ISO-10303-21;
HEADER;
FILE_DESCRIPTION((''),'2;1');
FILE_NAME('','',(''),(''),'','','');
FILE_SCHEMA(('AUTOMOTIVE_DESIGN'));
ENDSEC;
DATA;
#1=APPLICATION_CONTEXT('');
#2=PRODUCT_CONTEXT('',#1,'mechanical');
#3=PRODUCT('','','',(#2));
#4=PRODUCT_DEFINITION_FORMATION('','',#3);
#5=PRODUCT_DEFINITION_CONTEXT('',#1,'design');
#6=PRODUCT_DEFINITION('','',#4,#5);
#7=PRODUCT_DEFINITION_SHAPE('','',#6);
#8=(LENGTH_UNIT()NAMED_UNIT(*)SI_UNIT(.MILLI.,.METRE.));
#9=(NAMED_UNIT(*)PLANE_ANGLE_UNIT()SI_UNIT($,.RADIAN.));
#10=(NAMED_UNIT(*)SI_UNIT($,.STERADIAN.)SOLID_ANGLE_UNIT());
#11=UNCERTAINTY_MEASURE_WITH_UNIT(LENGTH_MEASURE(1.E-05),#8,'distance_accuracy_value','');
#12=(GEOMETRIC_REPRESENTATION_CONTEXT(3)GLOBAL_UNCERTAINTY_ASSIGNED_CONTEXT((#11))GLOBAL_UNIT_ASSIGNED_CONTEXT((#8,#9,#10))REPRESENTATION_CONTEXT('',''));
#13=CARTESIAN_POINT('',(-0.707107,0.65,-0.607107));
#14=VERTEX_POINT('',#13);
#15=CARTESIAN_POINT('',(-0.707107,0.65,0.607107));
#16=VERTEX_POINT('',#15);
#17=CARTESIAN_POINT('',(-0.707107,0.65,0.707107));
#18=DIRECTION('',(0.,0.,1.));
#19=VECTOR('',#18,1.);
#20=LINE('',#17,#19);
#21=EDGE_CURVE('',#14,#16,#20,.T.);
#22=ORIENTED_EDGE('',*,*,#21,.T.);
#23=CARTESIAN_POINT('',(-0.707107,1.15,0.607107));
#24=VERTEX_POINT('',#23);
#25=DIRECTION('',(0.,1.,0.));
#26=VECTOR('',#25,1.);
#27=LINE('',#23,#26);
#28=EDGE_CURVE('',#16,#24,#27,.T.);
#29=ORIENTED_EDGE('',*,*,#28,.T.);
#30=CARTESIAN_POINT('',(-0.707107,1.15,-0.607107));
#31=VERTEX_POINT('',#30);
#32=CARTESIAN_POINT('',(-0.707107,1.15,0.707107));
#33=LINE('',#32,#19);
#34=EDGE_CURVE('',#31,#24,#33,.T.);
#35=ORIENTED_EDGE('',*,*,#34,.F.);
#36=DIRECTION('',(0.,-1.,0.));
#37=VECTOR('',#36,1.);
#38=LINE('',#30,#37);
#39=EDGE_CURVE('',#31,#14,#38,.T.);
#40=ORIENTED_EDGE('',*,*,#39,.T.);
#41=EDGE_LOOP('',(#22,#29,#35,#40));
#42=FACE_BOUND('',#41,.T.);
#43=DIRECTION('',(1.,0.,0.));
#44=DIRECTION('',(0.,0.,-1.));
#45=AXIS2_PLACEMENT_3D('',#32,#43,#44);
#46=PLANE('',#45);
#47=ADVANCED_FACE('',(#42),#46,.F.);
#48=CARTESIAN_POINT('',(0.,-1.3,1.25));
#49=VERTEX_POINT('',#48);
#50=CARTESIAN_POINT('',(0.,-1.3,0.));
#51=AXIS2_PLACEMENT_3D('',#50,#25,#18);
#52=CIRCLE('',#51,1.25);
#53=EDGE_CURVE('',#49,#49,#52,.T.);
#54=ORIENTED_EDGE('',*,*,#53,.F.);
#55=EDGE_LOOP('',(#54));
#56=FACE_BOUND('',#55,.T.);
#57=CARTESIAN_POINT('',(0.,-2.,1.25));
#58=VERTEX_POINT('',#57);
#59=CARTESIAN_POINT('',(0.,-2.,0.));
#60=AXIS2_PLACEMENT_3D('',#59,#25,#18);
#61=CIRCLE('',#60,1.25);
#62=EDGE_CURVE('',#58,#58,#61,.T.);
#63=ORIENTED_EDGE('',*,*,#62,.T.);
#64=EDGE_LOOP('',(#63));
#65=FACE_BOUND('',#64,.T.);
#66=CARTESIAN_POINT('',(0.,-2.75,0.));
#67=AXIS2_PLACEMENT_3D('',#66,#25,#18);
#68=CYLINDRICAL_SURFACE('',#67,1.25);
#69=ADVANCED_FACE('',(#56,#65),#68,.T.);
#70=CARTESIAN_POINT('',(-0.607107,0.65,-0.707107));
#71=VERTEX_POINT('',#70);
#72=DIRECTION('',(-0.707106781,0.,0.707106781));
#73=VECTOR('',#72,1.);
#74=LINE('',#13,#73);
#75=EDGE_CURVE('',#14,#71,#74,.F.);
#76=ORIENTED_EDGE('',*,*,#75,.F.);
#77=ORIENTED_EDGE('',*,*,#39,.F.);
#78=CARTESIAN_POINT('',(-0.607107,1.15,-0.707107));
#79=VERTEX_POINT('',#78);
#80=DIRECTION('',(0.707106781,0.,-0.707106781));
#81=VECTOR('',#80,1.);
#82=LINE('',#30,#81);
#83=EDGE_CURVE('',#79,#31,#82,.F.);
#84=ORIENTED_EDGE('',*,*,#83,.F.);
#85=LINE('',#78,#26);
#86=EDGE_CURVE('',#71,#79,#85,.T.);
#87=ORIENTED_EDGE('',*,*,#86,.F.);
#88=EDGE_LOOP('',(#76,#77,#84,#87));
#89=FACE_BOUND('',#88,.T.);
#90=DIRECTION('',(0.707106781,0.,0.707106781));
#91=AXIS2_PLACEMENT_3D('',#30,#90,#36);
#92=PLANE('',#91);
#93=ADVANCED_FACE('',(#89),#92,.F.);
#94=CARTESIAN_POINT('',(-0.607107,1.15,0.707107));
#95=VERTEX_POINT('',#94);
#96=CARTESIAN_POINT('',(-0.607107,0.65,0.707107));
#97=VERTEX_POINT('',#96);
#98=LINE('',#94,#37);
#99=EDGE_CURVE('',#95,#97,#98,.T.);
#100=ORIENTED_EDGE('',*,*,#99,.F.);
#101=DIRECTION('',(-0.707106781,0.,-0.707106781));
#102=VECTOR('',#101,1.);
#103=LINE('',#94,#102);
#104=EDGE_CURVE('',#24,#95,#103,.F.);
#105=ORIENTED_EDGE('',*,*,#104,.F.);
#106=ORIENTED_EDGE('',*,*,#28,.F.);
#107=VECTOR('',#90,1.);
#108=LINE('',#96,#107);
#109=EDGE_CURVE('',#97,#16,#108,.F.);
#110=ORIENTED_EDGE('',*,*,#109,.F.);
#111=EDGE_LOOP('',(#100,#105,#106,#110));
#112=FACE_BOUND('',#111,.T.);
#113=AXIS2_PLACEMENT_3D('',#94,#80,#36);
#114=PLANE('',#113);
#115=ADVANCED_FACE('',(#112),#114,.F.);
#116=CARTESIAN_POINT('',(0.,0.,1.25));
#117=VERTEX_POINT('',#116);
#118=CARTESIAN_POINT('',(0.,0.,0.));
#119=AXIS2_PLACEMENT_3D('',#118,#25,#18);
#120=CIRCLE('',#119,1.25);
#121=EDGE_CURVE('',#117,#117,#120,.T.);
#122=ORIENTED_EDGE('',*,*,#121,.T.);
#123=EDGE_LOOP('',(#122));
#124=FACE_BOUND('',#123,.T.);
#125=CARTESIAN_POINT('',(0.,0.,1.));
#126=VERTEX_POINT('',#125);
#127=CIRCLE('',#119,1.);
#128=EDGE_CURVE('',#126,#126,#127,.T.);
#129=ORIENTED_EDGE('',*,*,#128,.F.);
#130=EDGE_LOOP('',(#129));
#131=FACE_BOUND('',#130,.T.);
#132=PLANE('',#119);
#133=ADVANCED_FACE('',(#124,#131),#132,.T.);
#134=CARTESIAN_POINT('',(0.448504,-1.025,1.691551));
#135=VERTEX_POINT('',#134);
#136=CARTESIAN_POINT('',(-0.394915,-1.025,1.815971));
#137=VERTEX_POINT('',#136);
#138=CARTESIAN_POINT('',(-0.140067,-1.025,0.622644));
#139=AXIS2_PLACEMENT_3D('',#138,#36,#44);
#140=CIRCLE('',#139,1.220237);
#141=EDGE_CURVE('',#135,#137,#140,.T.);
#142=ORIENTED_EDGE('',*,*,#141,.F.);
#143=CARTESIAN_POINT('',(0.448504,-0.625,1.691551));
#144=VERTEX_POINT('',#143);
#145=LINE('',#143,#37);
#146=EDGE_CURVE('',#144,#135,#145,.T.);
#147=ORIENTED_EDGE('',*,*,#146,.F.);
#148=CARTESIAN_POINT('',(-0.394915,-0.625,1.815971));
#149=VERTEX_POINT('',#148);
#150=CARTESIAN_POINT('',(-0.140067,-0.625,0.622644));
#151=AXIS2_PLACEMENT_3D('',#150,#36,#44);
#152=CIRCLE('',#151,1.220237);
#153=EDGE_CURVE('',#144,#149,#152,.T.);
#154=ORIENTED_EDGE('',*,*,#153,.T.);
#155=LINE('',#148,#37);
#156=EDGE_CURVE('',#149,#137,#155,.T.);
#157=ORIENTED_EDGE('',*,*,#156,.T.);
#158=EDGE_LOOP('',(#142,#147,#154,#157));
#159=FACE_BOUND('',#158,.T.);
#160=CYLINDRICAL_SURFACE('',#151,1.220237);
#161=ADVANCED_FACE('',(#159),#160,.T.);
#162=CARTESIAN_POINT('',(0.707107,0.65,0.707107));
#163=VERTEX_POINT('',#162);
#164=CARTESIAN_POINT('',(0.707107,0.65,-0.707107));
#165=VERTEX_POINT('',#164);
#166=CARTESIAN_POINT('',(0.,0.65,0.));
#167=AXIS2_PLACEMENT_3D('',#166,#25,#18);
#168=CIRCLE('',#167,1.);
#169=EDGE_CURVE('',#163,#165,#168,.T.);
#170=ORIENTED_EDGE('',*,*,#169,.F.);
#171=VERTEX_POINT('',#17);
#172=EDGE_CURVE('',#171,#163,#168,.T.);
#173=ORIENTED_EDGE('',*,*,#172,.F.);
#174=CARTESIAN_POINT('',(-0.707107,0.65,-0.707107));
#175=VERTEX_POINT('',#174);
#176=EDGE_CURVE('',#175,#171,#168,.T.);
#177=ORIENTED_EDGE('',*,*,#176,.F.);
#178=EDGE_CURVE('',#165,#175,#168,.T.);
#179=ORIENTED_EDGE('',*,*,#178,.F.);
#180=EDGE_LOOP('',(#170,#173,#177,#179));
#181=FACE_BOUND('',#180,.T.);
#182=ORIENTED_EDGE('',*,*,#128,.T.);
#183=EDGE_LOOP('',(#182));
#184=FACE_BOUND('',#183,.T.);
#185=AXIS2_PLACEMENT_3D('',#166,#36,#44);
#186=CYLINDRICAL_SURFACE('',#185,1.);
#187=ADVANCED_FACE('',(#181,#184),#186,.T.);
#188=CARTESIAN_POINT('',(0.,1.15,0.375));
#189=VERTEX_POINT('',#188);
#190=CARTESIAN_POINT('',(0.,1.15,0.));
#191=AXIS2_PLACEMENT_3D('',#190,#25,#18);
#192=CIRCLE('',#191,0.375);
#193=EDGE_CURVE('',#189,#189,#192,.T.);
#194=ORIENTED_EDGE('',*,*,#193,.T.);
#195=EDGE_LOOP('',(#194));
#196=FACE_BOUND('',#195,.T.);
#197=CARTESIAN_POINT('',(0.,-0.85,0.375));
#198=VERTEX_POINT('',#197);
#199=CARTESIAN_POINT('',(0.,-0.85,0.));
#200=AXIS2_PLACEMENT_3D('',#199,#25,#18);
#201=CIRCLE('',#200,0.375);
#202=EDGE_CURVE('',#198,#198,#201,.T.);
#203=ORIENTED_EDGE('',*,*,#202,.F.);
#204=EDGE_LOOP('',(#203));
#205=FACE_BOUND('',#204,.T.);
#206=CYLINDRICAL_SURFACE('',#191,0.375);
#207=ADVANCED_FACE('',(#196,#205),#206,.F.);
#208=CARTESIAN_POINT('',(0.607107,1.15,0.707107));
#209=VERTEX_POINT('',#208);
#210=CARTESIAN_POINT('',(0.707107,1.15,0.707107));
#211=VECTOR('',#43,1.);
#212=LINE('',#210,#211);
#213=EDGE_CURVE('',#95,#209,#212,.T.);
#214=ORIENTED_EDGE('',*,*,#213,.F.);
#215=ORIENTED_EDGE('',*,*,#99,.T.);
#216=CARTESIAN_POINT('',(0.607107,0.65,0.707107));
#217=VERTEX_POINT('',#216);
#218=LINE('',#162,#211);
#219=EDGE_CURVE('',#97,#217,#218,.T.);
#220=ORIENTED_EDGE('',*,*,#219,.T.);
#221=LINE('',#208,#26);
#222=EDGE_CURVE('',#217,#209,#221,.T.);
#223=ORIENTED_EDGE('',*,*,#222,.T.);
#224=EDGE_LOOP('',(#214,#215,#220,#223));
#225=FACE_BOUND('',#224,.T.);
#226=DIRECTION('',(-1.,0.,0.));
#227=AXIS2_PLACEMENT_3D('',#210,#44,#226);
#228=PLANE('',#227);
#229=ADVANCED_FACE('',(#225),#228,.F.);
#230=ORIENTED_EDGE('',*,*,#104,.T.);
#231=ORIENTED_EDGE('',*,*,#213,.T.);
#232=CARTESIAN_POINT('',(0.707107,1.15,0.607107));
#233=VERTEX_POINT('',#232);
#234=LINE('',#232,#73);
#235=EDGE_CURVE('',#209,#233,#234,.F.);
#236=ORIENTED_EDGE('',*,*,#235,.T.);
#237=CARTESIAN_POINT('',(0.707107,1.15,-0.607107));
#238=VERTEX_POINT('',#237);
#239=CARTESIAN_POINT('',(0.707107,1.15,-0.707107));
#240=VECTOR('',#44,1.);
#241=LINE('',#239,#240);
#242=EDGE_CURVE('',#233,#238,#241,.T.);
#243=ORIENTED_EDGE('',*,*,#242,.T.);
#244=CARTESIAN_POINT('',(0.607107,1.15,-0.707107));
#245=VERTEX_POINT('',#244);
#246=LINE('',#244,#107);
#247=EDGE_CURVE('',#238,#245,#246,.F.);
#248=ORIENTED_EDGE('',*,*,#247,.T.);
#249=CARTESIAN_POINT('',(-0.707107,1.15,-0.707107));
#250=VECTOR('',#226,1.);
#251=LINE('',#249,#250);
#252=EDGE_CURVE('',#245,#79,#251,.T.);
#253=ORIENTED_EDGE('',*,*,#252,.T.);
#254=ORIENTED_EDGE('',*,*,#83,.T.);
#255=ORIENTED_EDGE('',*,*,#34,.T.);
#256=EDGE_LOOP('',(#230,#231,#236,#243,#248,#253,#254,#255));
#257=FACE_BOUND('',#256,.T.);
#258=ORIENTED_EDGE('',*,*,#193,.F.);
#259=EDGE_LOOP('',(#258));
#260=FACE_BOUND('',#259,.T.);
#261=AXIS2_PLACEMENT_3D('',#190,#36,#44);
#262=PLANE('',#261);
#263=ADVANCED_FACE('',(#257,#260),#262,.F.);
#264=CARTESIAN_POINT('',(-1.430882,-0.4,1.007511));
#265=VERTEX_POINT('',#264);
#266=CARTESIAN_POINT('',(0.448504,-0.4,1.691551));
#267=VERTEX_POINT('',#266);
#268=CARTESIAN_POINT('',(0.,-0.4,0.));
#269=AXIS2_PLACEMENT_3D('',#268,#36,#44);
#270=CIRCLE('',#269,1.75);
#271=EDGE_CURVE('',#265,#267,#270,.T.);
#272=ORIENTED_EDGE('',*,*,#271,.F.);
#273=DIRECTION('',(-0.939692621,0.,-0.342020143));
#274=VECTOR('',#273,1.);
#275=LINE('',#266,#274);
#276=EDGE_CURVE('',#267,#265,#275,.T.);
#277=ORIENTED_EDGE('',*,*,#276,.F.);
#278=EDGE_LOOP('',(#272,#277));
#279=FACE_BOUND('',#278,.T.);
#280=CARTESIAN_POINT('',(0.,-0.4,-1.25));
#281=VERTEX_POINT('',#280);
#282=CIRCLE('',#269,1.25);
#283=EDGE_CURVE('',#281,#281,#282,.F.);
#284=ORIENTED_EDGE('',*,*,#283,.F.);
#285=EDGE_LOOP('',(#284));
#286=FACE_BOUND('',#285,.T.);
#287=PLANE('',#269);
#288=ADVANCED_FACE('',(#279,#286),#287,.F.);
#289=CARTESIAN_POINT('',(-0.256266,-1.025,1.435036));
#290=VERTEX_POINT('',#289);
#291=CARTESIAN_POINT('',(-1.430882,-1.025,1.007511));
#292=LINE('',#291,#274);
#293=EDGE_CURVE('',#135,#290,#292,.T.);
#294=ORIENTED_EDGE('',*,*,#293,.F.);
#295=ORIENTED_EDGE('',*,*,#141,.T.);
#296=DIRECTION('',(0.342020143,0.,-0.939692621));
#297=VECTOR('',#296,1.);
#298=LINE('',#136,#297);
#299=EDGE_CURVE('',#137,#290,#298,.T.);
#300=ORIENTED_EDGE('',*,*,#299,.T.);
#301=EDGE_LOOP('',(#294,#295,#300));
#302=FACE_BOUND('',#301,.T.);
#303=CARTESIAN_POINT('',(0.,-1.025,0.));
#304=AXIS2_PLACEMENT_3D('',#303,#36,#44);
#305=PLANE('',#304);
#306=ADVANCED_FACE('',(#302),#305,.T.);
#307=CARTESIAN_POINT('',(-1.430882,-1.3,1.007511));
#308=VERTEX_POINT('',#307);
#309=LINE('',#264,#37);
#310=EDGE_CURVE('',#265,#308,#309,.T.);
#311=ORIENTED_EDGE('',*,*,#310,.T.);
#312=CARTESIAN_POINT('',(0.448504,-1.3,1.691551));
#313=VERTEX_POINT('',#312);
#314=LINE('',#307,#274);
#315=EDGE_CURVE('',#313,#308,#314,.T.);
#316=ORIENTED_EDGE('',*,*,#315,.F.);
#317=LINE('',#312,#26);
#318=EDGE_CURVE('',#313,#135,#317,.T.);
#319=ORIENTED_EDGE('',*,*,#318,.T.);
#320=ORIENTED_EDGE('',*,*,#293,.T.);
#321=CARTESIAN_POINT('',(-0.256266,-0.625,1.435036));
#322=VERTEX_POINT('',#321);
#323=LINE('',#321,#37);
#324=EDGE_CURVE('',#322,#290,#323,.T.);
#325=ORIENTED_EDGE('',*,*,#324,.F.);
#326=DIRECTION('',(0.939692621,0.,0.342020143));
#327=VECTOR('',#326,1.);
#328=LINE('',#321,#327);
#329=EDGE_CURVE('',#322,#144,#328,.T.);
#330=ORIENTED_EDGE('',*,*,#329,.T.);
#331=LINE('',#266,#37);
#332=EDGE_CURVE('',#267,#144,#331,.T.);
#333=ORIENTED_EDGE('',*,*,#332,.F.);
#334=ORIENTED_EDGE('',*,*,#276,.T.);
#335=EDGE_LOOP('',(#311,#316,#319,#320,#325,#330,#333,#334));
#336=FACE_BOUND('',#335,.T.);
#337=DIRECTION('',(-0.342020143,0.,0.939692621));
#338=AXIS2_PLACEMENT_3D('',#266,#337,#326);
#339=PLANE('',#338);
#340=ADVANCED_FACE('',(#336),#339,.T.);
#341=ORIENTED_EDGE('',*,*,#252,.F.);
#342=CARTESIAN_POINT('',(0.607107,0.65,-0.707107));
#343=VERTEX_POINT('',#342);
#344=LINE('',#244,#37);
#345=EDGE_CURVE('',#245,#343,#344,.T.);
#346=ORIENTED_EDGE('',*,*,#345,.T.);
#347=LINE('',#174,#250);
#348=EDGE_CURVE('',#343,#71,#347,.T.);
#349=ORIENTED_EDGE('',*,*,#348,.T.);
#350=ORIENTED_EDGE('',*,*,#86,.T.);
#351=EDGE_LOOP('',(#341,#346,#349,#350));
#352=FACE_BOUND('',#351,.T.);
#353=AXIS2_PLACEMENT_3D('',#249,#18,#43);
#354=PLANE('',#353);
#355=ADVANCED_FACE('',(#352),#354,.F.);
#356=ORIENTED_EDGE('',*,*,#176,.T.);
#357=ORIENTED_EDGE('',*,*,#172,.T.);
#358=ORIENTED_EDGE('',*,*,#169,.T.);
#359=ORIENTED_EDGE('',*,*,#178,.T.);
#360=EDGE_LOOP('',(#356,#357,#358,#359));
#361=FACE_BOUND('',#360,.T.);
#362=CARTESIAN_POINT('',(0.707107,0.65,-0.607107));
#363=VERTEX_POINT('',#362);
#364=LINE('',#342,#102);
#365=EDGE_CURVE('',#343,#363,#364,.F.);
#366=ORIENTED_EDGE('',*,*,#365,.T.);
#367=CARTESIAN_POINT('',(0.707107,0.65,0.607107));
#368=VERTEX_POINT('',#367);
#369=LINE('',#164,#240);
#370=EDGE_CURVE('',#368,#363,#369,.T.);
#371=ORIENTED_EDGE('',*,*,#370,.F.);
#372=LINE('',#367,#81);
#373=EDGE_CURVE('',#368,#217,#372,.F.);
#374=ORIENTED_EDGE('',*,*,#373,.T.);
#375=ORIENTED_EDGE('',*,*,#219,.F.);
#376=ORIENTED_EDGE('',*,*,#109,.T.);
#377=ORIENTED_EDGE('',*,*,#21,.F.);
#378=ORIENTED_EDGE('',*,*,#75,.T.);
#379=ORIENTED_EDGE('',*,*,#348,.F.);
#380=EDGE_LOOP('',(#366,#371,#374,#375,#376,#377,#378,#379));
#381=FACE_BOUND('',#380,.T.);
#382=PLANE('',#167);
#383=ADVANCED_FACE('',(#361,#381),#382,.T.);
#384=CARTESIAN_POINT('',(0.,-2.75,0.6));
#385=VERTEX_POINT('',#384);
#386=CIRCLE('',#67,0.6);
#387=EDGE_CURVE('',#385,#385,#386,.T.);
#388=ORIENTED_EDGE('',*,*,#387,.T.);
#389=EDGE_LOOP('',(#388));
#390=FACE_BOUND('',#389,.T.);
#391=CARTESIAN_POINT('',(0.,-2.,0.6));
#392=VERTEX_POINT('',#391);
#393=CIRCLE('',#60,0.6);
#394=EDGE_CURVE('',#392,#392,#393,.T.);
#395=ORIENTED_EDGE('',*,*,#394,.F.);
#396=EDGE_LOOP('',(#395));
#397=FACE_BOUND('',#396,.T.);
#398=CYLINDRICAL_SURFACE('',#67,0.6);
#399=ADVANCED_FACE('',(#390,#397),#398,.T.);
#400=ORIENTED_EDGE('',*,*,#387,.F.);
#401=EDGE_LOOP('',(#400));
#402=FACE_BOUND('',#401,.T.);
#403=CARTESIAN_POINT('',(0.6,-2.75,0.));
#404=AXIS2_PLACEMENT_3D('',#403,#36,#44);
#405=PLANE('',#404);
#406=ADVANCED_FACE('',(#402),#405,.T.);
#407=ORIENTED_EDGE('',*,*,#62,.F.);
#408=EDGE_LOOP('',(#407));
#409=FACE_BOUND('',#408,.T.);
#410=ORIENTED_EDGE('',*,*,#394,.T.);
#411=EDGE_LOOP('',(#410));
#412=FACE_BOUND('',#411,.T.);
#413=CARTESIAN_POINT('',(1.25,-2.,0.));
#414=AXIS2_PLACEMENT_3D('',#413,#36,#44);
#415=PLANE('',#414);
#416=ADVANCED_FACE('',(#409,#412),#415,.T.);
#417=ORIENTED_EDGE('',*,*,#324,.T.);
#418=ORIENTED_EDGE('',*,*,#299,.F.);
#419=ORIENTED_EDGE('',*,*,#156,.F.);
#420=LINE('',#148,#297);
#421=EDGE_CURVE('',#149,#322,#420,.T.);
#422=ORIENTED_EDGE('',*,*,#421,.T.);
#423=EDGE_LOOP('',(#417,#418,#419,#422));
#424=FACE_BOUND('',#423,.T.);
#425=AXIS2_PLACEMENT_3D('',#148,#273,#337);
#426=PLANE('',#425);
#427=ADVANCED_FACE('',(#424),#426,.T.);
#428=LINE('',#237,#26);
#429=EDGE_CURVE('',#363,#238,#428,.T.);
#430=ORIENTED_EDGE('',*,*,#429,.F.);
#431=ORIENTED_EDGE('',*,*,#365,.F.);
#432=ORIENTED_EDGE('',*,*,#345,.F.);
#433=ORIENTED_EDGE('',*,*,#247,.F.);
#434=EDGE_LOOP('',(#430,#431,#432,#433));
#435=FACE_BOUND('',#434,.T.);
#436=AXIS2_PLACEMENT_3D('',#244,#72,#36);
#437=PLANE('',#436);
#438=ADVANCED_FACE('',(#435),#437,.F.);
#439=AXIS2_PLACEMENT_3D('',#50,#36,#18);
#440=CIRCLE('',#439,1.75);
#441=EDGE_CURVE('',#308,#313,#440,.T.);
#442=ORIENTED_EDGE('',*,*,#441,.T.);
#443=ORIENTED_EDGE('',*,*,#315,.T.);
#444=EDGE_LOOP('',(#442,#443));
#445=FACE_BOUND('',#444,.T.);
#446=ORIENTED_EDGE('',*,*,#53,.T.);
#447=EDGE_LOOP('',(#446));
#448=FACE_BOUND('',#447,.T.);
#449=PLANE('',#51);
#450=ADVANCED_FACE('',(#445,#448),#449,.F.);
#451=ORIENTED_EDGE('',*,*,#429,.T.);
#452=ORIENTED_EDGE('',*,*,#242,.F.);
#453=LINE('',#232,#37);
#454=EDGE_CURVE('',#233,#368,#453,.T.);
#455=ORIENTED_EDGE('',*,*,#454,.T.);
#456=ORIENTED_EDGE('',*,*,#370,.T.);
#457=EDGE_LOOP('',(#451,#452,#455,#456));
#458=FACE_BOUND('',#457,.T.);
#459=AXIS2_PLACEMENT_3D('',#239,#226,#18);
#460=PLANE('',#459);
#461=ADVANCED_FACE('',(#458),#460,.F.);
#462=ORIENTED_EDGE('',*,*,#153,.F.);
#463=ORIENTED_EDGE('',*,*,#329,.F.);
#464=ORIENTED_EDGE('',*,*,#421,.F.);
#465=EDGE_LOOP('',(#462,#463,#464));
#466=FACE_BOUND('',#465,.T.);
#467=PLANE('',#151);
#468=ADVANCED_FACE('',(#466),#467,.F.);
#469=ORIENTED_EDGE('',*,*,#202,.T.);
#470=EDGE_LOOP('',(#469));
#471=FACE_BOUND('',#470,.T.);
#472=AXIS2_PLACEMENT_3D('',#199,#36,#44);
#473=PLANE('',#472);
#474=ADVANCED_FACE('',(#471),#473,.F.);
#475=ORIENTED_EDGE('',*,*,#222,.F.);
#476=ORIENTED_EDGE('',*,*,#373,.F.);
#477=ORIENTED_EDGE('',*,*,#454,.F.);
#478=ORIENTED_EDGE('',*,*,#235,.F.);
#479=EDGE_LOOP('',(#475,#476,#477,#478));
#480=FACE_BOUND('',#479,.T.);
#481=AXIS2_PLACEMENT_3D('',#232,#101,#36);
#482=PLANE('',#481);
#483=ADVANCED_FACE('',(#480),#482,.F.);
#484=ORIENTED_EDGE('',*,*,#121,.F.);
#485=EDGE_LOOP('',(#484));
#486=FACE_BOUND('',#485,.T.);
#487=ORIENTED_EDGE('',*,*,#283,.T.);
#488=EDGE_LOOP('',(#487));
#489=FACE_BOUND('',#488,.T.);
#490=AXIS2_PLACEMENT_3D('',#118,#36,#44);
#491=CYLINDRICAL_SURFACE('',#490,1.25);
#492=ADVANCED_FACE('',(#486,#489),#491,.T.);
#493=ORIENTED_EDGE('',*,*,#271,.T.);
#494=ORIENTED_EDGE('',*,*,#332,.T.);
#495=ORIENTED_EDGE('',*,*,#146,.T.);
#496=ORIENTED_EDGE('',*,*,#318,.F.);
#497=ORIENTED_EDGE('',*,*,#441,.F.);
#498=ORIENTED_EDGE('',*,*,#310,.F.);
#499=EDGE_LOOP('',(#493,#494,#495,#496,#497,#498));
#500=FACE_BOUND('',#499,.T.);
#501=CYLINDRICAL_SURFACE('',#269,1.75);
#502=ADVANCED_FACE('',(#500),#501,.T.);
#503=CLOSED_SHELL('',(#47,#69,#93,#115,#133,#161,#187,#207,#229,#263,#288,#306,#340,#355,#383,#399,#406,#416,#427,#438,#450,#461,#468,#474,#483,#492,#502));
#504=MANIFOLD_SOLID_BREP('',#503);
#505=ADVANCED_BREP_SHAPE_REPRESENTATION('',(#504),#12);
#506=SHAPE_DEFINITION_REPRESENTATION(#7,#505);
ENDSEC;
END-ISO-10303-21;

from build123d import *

# Parameters (mm, degrees)
BOSS_EXTRUDE1_DEPTH = 0.625
SKETCH2_R           = 1.25
BOSS_EXTRUDE2_DEPTH = 0.4
SKETCH3_R           = 1
BOSS_EXTRUDE3_DEPTH = 0.65
SKETCH4_W           = 1.414213562
SKETCH4_H           = 1.414213562
BOSS_EXTRUDE4_DEPTH = 0.5
BOSS_EXTRUDE5_DEPTH = 0.4
BOSS_EXTRUDE6_DEPTH = 0.275
HOLE1_D             = 0.75
HOLE1_DEPTH         = 2
CHAMFER1_SIZE       = 0.1


with BuildPart() as part:
    # Sketch1 → Boss-Extrude1 (new body)
    with BuildSketch(Plane.XZ.offset(1.025)):
        with BuildLine():
            Line((0.448503586, 1.691550925), (-1.430881656, 1.007510639))
            ThreePointArc((-1.430881656, 1.007510639), (0.598535251, -1.644462086), (0.448503586, 1.691550925))
        make_face()
    extrude(amount=-BOSS_EXTRUDE1_DEPTH)

    # Sketch2 → Boss-Extrude2 (add)
    with BuildSketch(Plane(origin=(0, -0.4, 0), x_dir=(-1, 0, 0), z_dir=(0, 1, 0))):
        Circle(SKETCH2_R)
    extrude(amount=BOSS_EXTRUDE2_DEPTH)

    # Sketch3 → Boss-Extrude3 (add)
    with BuildSketch(Plane(origin=(0, 0, 0), x_dir=(-1, 0, 0), z_dir=(0, 1, 0))):
        Circle(SKETCH3_R)
    extrude(amount=BOSS_EXTRUDE3_DEPTH)

    # Sketch4 → Boss-Extrude4 (add)
    with BuildSketch(Plane(origin=(0, 0.65, 0), x_dir=(-1, 0, 0), z_dir=(0, 1, 0))):
        Rectangle(SKETCH4_W, SKETCH4_H)
    extrude(amount=BOSS_EXTRUDE4_DEPTH)

    # Sketch5 → Boss-Extrude5 (add)
    with BuildSketch(Plane.XZ.offset(1.025)):
        with BuildLine():
            Line((-0.394915124, 1.815971484), (-0.25626588, 1.435035818))
            Line((-0.25626588, 1.435035818), (0.448503586, 1.691550925))
            ThreePointArc((0.448503586, 1.691550925), (0.038013824, 1.829816276), (-0.394915124, 1.815971484))
        make_face()
    extrude(amount=-BOSS_EXTRUDE5_DEPTH)

    # Sketch6 → Boss-Extrude6 (add)
    with BuildSketch(Plane.XZ.offset(1.025)):
        with BuildLine():
            Line((-1.430881656, 1.007510639), (0.448503586, 1.691550925))
            ThreePointArc((0.448503586, 1.691550925), (0.598535251, -1.644462086), (-1.430881656, 1.007510639))
        make_face()
    extrude(amount=BOSS_EXTRUDE6_DEPTH)

    # Sketch7 → Revolve1 (revolve)
    with BuildSketch(Plane(origin=(0, 0, 0), x_dir=(-1, 0, 0), z_dir=(0, 0, -1))):
        Polygon((-0.6, -2.75), (0, -2.75), (0, -1.3), (-1.25, -1.3), (-1.25, -2), (-0.6, -2), align=None)
    revolve(axis=Axis((0, -2.75, 0), (0, 1, 0)))

    # Hole1
    with Locations(Plane(origin=(0, 1.15, 0), x_dir=(1, 0, 0), z_dir=(0, 1, 0))):
        with Locations((0, 0)):
            Hole(HOLE1_D / 2, depth=HOLE1_DEPTH)

    # Chamfer1
    chamfer1_edges = [part.edges().sort_by_distance(p)[0] for p in [
        (-0.707106781, 0.9, 0.707106781),
        (0.707106781, 0.9, 0.707106781),
        (0.707106781, 0.9, -0.707106781),
        (-0.707106781, 0.9, -0.707106781),
    ]]
    chamfer(chamfer1_edges, length=CHAMFER1_SIZE)


solid = part.part
